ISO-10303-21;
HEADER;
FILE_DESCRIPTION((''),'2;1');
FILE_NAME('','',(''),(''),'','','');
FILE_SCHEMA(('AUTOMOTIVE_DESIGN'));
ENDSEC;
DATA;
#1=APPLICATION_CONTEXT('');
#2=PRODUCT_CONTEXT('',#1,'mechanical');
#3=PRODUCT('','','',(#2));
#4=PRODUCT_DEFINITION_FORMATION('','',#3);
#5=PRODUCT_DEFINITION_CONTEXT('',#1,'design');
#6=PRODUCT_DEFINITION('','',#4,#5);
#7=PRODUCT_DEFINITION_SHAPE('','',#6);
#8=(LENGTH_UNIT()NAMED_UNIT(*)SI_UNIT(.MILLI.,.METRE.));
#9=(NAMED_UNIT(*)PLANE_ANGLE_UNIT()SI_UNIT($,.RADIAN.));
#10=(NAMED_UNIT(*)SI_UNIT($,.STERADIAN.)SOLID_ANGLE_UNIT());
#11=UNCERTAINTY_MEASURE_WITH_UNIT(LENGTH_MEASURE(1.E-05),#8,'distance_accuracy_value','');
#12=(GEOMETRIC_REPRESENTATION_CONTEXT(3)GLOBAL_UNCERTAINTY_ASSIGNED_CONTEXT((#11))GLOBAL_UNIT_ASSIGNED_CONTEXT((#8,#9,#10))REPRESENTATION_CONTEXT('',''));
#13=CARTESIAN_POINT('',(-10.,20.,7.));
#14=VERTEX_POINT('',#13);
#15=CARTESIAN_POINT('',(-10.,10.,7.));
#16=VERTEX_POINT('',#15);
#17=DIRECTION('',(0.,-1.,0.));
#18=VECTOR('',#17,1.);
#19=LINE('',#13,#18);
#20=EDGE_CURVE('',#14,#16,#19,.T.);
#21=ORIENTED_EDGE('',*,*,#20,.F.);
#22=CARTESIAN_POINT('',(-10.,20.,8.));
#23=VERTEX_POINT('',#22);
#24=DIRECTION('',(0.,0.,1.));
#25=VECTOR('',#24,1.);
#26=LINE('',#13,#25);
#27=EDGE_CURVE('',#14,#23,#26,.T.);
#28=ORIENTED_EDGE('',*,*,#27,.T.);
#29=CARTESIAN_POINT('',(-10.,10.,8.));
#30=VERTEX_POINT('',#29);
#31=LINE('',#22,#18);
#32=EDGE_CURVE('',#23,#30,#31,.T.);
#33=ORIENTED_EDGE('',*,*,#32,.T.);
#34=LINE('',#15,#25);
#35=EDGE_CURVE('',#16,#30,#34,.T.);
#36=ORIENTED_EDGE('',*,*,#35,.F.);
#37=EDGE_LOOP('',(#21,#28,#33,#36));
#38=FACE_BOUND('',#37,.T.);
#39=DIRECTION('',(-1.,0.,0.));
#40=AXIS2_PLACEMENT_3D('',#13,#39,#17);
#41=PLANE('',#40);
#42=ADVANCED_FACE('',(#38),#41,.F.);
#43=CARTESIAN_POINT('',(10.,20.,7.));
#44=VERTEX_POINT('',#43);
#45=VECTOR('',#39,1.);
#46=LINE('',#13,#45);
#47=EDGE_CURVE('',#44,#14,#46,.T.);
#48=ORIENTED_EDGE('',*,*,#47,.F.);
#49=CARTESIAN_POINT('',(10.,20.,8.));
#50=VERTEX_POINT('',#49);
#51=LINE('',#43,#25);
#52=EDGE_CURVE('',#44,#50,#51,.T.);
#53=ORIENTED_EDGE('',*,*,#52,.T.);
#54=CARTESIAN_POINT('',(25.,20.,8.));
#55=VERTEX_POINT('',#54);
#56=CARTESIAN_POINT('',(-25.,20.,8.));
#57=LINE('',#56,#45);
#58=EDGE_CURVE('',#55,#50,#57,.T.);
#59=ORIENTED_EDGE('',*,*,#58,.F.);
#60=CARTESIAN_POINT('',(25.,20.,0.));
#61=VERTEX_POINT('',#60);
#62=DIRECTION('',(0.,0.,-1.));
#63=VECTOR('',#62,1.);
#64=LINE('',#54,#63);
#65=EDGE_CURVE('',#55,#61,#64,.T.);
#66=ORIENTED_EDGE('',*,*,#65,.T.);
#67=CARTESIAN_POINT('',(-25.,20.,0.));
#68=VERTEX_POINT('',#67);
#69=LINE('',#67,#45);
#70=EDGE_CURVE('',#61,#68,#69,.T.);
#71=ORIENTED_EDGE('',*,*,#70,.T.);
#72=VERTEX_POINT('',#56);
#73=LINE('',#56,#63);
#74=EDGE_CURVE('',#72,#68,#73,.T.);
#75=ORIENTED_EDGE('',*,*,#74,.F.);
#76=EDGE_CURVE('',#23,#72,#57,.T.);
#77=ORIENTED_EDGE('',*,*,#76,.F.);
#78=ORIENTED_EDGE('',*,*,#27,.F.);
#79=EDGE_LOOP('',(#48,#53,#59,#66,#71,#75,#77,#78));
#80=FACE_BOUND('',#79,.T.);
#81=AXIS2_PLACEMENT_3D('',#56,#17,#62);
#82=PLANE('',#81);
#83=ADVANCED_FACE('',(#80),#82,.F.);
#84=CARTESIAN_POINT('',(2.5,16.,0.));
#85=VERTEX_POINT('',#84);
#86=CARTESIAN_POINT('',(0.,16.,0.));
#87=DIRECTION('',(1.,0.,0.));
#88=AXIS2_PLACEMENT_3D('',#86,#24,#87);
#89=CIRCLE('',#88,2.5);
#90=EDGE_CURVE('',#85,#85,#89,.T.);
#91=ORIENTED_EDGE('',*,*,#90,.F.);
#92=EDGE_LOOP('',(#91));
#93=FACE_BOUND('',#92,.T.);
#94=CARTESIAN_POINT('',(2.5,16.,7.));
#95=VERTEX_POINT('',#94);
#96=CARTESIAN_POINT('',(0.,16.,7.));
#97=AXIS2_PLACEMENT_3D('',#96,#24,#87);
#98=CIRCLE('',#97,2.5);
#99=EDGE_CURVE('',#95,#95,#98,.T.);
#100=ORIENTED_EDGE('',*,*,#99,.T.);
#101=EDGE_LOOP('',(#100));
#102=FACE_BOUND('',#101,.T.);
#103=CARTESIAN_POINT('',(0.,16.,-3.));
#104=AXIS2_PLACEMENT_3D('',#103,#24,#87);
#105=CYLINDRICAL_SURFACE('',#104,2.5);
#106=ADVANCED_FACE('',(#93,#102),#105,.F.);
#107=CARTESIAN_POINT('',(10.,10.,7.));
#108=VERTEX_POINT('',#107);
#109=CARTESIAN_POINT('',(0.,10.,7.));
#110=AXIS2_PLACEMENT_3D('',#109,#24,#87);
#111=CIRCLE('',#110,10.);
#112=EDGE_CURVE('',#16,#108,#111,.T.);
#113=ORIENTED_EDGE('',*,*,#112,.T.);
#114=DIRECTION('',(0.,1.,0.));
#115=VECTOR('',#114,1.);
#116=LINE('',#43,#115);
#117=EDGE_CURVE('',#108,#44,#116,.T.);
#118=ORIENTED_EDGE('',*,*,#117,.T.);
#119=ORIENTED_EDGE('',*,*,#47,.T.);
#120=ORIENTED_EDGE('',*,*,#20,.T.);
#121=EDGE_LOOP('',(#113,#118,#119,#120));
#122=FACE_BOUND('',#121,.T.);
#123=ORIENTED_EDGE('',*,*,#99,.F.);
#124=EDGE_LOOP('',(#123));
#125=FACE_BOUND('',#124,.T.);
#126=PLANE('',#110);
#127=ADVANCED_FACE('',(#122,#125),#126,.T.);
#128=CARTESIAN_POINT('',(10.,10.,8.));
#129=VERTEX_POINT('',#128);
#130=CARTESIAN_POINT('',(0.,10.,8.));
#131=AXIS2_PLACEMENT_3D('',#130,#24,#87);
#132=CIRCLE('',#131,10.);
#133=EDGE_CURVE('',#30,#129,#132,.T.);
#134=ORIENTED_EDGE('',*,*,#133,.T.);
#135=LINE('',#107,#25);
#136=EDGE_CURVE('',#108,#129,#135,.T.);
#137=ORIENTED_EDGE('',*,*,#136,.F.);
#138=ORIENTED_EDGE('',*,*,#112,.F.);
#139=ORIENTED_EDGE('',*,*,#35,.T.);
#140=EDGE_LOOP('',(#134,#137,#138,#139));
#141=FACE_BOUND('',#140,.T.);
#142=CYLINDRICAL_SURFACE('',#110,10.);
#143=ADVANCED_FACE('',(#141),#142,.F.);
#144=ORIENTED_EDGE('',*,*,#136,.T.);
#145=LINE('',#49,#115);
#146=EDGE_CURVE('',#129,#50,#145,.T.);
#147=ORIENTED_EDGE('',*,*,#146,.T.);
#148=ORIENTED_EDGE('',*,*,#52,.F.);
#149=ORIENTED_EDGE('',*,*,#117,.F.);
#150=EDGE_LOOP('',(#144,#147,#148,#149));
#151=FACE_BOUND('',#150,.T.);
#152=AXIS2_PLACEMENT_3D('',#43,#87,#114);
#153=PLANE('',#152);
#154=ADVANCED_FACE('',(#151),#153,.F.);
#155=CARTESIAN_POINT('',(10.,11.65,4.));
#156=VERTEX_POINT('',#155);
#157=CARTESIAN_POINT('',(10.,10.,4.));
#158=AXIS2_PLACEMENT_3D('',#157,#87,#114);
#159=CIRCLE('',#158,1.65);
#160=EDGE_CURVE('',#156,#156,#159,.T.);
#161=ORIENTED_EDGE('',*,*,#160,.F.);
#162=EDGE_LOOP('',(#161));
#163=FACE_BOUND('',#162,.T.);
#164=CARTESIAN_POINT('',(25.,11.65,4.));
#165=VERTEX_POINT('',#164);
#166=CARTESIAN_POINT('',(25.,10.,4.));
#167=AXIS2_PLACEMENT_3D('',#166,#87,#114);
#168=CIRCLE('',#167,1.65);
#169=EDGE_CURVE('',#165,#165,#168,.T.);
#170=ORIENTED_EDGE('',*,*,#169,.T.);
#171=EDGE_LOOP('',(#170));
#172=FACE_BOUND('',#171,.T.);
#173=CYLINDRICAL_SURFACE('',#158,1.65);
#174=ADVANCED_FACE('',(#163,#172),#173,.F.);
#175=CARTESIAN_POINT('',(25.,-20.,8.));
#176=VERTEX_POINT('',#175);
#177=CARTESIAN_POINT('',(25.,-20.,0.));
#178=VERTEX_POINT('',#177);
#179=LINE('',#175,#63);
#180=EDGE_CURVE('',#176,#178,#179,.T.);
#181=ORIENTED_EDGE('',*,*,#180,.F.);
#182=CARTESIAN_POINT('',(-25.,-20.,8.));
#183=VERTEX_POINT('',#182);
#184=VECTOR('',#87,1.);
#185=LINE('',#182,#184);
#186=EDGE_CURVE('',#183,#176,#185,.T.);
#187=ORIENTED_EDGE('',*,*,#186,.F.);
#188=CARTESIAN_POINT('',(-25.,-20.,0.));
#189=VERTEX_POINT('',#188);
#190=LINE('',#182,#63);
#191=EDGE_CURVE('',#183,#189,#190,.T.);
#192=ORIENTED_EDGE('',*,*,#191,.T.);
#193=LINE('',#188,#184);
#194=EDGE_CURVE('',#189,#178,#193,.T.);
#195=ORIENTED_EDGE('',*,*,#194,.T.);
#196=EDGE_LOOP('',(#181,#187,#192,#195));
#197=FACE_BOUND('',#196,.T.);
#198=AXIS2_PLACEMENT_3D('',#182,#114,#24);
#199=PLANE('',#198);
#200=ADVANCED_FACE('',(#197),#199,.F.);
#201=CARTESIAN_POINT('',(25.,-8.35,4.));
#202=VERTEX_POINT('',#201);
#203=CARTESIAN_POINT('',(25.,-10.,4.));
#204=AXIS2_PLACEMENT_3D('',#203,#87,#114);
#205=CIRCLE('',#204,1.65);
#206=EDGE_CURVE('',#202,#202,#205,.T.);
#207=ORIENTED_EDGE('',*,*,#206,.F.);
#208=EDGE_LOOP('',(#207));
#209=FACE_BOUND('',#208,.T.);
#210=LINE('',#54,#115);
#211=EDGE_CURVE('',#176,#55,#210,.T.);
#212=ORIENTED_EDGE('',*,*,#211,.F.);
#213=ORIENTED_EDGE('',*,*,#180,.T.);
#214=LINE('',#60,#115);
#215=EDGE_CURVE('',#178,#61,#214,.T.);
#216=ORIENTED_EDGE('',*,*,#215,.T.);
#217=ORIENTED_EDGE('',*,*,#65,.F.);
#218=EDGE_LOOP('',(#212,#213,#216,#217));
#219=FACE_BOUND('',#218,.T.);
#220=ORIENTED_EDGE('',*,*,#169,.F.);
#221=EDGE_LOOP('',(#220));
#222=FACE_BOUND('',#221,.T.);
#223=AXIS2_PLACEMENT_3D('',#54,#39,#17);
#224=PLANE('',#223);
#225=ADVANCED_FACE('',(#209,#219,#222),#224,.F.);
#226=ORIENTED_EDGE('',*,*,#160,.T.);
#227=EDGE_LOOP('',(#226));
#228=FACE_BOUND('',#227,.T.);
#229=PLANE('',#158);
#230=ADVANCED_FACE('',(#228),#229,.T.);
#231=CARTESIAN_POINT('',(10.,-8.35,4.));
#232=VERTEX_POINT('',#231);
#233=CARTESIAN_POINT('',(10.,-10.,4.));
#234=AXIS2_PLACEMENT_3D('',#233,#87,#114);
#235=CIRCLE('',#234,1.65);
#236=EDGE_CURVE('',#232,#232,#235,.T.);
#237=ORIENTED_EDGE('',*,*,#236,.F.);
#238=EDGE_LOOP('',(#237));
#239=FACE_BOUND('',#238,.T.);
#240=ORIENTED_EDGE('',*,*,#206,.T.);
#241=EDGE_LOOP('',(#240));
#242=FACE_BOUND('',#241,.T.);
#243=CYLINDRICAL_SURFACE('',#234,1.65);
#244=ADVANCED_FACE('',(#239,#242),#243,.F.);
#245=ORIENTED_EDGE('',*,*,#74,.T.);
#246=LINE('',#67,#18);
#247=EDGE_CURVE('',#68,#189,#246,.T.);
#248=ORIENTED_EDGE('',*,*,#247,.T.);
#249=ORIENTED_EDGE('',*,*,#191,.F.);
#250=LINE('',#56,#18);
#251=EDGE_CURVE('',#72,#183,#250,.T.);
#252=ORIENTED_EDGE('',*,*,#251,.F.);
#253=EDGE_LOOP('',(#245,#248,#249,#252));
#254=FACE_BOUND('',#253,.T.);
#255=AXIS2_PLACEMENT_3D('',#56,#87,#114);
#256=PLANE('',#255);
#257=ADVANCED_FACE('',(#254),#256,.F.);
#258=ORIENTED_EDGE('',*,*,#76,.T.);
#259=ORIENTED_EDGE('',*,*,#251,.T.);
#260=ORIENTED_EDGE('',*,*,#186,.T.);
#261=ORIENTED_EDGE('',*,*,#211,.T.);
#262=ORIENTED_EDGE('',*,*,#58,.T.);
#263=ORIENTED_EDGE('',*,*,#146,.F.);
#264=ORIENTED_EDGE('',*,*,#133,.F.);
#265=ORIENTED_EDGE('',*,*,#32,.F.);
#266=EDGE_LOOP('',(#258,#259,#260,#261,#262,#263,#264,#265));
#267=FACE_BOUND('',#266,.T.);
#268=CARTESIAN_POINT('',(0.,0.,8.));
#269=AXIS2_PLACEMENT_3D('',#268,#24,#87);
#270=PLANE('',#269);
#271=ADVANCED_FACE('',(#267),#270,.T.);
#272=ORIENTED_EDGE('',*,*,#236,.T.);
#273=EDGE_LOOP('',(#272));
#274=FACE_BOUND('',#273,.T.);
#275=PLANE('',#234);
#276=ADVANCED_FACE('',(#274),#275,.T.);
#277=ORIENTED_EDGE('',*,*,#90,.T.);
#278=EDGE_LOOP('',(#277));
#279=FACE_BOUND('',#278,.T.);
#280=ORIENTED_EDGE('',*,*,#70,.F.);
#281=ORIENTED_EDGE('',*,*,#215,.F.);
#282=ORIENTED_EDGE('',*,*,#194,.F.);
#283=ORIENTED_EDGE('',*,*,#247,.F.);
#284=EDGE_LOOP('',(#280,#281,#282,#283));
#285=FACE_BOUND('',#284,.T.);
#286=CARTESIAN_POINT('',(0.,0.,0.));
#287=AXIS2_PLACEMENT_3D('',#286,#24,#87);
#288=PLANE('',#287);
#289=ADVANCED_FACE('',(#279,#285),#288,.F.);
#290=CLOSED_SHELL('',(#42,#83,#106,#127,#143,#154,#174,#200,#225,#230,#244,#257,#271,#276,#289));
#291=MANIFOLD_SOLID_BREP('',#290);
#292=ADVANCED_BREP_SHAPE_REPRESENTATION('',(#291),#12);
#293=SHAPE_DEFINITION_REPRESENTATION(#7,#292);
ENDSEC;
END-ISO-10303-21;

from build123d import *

# Parameters (mm, degrees)
SKETCH_1_W          = 50
SKETCH_1_H          = 40
EXTRUDE_1_DEPTH     = 8
SKETCH_2_R          = 1.65
CUT_EXTRUDE_1_DEPTH = 15
CUT_EXTRUDE_2_DEPTH = 1
SKETCH_5_R          = 2.5
CUT_EXTRUDE_3_DEPTH = 10


with BuildPart() as part:
    # Эскиз1 → Бобышка-Вытянуть1 (new body)
    with BuildSketch(Plane.XY):
        Rectangle(SKETCH_1_W, SKETCH_1_H)
    extrude(amount=EXTRUDE_1_DEPTH)

    # Эскиз2 → Вырез-Вытянуть1 (cut)
    with BuildSketch(Plane(origin=(25, 0, 0), x_dir=(0, 0, -1), z_dir=(1, 0, 0))):
        with Locations(Location((-4, 10, 0), (0, 0, 90))):
            Circle(SKETCH_2_R)
        with Locations(Location((-4, -10, 0), (0, 0, 90))):
            Circle(SKETCH_2_R)
    extrude(amount=-CUT_EXTRUDE_1_DEPTH, mode=Mode.SUBTRACT)

    # Эскиз4 → Вырез-Вытянуть2 (cut)
    with BuildSketch(Plane.XY.offset(8)):
        with BuildLine():
            Line((-10, 20), (10, 20))
            Line((10, 20), (10, 10))
            ThreePointArc((10, 10), (0, 0), (-10, 10))
            Line((-10, 10), (-10, 20))
        make_face()
    extrude(amount=-CUT_EXTRUDE_2_DEPTH, mode=Mode.SUBTRACT)

    # Эскиз5 → Вырез-Вытянуть3 (cut)
    with BuildSketch(Plane.XY.offset(7)):
        with Locations((0, 16)):
            Circle(SKETCH_5_R)
    extrude(amount=-CUT_EXTRUDE_3_DEPTH, mode=Mode.SUBTRACT)


solid = part.part
